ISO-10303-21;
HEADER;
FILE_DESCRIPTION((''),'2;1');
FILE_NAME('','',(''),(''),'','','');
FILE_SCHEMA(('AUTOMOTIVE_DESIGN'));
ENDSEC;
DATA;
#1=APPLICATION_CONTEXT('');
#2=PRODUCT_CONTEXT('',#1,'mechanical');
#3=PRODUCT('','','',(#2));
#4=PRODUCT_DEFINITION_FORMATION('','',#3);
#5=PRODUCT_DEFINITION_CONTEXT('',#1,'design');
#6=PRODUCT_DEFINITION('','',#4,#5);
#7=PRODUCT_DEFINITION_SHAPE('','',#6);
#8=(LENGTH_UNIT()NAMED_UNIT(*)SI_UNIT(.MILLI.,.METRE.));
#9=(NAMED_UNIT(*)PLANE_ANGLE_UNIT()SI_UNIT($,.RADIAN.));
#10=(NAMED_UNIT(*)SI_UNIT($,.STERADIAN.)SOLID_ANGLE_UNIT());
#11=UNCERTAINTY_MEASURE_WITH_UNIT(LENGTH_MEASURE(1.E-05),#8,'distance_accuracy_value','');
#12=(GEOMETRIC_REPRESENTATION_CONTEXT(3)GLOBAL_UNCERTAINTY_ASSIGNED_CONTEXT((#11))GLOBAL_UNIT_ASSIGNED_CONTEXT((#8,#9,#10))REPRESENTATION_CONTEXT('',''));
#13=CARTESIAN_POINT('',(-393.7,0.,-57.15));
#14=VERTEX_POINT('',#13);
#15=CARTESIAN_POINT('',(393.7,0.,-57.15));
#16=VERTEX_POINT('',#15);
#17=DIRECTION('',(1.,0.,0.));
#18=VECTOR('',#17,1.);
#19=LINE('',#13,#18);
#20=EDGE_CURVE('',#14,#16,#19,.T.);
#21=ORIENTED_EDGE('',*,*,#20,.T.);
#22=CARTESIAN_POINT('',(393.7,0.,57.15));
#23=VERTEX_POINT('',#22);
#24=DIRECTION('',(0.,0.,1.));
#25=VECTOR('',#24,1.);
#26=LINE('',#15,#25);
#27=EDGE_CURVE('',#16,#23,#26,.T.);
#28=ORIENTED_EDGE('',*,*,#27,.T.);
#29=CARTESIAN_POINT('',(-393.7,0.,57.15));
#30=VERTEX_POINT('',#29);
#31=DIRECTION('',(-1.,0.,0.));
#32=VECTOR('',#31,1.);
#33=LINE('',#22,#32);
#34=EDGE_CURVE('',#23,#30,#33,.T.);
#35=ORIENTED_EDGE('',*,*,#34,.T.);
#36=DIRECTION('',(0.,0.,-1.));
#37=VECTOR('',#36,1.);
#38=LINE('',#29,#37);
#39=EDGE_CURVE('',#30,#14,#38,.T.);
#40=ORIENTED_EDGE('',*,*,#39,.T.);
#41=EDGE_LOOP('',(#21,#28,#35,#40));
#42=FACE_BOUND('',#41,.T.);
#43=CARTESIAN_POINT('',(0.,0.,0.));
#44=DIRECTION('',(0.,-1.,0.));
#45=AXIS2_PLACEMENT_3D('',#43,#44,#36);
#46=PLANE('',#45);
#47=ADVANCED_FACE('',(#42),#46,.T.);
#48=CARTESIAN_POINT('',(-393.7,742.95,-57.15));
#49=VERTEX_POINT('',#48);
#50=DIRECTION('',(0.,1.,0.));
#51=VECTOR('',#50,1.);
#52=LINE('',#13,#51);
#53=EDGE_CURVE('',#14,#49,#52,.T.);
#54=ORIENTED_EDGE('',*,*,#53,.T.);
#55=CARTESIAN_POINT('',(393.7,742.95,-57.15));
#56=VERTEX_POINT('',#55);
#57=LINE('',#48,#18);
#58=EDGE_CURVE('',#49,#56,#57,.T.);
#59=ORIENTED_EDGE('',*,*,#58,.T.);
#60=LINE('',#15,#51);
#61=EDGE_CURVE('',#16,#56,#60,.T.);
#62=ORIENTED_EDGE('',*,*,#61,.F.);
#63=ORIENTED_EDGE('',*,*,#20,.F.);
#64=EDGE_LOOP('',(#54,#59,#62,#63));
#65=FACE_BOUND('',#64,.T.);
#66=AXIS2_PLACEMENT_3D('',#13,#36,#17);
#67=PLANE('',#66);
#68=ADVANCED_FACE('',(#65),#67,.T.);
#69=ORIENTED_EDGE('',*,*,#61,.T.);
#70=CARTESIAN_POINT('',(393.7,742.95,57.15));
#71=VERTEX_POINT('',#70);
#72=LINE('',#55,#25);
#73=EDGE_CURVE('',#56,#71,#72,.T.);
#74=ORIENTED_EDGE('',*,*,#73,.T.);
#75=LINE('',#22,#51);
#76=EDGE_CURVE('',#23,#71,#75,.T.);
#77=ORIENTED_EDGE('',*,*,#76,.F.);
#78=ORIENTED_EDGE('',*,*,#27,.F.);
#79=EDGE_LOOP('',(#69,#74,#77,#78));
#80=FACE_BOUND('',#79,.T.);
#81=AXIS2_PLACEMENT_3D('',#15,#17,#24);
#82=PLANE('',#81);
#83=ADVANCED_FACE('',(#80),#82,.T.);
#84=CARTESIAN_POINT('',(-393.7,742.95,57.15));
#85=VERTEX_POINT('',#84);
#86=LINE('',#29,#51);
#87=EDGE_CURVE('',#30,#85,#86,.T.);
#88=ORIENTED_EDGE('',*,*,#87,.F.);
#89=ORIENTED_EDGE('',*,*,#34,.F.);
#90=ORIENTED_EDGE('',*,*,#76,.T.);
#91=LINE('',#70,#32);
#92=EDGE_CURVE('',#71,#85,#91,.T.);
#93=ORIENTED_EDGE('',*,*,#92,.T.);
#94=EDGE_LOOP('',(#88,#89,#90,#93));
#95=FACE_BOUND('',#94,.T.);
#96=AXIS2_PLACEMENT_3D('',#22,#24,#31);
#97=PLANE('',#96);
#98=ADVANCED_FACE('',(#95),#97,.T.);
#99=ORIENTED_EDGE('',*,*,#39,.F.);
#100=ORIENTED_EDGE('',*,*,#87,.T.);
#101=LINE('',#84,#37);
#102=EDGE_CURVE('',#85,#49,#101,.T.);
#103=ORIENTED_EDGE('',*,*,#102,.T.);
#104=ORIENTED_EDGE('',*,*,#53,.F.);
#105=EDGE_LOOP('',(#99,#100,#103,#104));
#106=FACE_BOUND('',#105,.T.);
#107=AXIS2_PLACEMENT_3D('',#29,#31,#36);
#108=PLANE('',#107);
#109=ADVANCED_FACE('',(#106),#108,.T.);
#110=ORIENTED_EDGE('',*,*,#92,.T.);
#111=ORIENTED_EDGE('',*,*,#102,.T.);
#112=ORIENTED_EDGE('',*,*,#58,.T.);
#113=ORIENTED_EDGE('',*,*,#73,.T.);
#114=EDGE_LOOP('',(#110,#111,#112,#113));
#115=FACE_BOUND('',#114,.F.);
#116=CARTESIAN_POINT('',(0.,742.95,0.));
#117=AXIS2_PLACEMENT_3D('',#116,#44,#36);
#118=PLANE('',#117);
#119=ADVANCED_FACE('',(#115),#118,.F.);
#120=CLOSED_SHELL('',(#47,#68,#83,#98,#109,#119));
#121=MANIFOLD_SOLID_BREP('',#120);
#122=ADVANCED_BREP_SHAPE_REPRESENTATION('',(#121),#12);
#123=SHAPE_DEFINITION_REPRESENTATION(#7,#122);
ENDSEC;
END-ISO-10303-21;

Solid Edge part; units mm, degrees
sketch "Sketch1" plane through (0, 0, 0) normal (0, -1, 0) x (1, 0, 0)
  line L0 (393.7, 57.15) -> (-393.7, 57.15)
  line L1 (-393.7, 57.15) -> (-393.7, -57.15)
  line L2 (-393.7, -57.15) -> (393.7, -57.15)
  line L3 (393.7, -57.15) -> (393.7, 57.15)
extrude "Protrusion1" add sketch "Sketch1" against normal blind 742.95
